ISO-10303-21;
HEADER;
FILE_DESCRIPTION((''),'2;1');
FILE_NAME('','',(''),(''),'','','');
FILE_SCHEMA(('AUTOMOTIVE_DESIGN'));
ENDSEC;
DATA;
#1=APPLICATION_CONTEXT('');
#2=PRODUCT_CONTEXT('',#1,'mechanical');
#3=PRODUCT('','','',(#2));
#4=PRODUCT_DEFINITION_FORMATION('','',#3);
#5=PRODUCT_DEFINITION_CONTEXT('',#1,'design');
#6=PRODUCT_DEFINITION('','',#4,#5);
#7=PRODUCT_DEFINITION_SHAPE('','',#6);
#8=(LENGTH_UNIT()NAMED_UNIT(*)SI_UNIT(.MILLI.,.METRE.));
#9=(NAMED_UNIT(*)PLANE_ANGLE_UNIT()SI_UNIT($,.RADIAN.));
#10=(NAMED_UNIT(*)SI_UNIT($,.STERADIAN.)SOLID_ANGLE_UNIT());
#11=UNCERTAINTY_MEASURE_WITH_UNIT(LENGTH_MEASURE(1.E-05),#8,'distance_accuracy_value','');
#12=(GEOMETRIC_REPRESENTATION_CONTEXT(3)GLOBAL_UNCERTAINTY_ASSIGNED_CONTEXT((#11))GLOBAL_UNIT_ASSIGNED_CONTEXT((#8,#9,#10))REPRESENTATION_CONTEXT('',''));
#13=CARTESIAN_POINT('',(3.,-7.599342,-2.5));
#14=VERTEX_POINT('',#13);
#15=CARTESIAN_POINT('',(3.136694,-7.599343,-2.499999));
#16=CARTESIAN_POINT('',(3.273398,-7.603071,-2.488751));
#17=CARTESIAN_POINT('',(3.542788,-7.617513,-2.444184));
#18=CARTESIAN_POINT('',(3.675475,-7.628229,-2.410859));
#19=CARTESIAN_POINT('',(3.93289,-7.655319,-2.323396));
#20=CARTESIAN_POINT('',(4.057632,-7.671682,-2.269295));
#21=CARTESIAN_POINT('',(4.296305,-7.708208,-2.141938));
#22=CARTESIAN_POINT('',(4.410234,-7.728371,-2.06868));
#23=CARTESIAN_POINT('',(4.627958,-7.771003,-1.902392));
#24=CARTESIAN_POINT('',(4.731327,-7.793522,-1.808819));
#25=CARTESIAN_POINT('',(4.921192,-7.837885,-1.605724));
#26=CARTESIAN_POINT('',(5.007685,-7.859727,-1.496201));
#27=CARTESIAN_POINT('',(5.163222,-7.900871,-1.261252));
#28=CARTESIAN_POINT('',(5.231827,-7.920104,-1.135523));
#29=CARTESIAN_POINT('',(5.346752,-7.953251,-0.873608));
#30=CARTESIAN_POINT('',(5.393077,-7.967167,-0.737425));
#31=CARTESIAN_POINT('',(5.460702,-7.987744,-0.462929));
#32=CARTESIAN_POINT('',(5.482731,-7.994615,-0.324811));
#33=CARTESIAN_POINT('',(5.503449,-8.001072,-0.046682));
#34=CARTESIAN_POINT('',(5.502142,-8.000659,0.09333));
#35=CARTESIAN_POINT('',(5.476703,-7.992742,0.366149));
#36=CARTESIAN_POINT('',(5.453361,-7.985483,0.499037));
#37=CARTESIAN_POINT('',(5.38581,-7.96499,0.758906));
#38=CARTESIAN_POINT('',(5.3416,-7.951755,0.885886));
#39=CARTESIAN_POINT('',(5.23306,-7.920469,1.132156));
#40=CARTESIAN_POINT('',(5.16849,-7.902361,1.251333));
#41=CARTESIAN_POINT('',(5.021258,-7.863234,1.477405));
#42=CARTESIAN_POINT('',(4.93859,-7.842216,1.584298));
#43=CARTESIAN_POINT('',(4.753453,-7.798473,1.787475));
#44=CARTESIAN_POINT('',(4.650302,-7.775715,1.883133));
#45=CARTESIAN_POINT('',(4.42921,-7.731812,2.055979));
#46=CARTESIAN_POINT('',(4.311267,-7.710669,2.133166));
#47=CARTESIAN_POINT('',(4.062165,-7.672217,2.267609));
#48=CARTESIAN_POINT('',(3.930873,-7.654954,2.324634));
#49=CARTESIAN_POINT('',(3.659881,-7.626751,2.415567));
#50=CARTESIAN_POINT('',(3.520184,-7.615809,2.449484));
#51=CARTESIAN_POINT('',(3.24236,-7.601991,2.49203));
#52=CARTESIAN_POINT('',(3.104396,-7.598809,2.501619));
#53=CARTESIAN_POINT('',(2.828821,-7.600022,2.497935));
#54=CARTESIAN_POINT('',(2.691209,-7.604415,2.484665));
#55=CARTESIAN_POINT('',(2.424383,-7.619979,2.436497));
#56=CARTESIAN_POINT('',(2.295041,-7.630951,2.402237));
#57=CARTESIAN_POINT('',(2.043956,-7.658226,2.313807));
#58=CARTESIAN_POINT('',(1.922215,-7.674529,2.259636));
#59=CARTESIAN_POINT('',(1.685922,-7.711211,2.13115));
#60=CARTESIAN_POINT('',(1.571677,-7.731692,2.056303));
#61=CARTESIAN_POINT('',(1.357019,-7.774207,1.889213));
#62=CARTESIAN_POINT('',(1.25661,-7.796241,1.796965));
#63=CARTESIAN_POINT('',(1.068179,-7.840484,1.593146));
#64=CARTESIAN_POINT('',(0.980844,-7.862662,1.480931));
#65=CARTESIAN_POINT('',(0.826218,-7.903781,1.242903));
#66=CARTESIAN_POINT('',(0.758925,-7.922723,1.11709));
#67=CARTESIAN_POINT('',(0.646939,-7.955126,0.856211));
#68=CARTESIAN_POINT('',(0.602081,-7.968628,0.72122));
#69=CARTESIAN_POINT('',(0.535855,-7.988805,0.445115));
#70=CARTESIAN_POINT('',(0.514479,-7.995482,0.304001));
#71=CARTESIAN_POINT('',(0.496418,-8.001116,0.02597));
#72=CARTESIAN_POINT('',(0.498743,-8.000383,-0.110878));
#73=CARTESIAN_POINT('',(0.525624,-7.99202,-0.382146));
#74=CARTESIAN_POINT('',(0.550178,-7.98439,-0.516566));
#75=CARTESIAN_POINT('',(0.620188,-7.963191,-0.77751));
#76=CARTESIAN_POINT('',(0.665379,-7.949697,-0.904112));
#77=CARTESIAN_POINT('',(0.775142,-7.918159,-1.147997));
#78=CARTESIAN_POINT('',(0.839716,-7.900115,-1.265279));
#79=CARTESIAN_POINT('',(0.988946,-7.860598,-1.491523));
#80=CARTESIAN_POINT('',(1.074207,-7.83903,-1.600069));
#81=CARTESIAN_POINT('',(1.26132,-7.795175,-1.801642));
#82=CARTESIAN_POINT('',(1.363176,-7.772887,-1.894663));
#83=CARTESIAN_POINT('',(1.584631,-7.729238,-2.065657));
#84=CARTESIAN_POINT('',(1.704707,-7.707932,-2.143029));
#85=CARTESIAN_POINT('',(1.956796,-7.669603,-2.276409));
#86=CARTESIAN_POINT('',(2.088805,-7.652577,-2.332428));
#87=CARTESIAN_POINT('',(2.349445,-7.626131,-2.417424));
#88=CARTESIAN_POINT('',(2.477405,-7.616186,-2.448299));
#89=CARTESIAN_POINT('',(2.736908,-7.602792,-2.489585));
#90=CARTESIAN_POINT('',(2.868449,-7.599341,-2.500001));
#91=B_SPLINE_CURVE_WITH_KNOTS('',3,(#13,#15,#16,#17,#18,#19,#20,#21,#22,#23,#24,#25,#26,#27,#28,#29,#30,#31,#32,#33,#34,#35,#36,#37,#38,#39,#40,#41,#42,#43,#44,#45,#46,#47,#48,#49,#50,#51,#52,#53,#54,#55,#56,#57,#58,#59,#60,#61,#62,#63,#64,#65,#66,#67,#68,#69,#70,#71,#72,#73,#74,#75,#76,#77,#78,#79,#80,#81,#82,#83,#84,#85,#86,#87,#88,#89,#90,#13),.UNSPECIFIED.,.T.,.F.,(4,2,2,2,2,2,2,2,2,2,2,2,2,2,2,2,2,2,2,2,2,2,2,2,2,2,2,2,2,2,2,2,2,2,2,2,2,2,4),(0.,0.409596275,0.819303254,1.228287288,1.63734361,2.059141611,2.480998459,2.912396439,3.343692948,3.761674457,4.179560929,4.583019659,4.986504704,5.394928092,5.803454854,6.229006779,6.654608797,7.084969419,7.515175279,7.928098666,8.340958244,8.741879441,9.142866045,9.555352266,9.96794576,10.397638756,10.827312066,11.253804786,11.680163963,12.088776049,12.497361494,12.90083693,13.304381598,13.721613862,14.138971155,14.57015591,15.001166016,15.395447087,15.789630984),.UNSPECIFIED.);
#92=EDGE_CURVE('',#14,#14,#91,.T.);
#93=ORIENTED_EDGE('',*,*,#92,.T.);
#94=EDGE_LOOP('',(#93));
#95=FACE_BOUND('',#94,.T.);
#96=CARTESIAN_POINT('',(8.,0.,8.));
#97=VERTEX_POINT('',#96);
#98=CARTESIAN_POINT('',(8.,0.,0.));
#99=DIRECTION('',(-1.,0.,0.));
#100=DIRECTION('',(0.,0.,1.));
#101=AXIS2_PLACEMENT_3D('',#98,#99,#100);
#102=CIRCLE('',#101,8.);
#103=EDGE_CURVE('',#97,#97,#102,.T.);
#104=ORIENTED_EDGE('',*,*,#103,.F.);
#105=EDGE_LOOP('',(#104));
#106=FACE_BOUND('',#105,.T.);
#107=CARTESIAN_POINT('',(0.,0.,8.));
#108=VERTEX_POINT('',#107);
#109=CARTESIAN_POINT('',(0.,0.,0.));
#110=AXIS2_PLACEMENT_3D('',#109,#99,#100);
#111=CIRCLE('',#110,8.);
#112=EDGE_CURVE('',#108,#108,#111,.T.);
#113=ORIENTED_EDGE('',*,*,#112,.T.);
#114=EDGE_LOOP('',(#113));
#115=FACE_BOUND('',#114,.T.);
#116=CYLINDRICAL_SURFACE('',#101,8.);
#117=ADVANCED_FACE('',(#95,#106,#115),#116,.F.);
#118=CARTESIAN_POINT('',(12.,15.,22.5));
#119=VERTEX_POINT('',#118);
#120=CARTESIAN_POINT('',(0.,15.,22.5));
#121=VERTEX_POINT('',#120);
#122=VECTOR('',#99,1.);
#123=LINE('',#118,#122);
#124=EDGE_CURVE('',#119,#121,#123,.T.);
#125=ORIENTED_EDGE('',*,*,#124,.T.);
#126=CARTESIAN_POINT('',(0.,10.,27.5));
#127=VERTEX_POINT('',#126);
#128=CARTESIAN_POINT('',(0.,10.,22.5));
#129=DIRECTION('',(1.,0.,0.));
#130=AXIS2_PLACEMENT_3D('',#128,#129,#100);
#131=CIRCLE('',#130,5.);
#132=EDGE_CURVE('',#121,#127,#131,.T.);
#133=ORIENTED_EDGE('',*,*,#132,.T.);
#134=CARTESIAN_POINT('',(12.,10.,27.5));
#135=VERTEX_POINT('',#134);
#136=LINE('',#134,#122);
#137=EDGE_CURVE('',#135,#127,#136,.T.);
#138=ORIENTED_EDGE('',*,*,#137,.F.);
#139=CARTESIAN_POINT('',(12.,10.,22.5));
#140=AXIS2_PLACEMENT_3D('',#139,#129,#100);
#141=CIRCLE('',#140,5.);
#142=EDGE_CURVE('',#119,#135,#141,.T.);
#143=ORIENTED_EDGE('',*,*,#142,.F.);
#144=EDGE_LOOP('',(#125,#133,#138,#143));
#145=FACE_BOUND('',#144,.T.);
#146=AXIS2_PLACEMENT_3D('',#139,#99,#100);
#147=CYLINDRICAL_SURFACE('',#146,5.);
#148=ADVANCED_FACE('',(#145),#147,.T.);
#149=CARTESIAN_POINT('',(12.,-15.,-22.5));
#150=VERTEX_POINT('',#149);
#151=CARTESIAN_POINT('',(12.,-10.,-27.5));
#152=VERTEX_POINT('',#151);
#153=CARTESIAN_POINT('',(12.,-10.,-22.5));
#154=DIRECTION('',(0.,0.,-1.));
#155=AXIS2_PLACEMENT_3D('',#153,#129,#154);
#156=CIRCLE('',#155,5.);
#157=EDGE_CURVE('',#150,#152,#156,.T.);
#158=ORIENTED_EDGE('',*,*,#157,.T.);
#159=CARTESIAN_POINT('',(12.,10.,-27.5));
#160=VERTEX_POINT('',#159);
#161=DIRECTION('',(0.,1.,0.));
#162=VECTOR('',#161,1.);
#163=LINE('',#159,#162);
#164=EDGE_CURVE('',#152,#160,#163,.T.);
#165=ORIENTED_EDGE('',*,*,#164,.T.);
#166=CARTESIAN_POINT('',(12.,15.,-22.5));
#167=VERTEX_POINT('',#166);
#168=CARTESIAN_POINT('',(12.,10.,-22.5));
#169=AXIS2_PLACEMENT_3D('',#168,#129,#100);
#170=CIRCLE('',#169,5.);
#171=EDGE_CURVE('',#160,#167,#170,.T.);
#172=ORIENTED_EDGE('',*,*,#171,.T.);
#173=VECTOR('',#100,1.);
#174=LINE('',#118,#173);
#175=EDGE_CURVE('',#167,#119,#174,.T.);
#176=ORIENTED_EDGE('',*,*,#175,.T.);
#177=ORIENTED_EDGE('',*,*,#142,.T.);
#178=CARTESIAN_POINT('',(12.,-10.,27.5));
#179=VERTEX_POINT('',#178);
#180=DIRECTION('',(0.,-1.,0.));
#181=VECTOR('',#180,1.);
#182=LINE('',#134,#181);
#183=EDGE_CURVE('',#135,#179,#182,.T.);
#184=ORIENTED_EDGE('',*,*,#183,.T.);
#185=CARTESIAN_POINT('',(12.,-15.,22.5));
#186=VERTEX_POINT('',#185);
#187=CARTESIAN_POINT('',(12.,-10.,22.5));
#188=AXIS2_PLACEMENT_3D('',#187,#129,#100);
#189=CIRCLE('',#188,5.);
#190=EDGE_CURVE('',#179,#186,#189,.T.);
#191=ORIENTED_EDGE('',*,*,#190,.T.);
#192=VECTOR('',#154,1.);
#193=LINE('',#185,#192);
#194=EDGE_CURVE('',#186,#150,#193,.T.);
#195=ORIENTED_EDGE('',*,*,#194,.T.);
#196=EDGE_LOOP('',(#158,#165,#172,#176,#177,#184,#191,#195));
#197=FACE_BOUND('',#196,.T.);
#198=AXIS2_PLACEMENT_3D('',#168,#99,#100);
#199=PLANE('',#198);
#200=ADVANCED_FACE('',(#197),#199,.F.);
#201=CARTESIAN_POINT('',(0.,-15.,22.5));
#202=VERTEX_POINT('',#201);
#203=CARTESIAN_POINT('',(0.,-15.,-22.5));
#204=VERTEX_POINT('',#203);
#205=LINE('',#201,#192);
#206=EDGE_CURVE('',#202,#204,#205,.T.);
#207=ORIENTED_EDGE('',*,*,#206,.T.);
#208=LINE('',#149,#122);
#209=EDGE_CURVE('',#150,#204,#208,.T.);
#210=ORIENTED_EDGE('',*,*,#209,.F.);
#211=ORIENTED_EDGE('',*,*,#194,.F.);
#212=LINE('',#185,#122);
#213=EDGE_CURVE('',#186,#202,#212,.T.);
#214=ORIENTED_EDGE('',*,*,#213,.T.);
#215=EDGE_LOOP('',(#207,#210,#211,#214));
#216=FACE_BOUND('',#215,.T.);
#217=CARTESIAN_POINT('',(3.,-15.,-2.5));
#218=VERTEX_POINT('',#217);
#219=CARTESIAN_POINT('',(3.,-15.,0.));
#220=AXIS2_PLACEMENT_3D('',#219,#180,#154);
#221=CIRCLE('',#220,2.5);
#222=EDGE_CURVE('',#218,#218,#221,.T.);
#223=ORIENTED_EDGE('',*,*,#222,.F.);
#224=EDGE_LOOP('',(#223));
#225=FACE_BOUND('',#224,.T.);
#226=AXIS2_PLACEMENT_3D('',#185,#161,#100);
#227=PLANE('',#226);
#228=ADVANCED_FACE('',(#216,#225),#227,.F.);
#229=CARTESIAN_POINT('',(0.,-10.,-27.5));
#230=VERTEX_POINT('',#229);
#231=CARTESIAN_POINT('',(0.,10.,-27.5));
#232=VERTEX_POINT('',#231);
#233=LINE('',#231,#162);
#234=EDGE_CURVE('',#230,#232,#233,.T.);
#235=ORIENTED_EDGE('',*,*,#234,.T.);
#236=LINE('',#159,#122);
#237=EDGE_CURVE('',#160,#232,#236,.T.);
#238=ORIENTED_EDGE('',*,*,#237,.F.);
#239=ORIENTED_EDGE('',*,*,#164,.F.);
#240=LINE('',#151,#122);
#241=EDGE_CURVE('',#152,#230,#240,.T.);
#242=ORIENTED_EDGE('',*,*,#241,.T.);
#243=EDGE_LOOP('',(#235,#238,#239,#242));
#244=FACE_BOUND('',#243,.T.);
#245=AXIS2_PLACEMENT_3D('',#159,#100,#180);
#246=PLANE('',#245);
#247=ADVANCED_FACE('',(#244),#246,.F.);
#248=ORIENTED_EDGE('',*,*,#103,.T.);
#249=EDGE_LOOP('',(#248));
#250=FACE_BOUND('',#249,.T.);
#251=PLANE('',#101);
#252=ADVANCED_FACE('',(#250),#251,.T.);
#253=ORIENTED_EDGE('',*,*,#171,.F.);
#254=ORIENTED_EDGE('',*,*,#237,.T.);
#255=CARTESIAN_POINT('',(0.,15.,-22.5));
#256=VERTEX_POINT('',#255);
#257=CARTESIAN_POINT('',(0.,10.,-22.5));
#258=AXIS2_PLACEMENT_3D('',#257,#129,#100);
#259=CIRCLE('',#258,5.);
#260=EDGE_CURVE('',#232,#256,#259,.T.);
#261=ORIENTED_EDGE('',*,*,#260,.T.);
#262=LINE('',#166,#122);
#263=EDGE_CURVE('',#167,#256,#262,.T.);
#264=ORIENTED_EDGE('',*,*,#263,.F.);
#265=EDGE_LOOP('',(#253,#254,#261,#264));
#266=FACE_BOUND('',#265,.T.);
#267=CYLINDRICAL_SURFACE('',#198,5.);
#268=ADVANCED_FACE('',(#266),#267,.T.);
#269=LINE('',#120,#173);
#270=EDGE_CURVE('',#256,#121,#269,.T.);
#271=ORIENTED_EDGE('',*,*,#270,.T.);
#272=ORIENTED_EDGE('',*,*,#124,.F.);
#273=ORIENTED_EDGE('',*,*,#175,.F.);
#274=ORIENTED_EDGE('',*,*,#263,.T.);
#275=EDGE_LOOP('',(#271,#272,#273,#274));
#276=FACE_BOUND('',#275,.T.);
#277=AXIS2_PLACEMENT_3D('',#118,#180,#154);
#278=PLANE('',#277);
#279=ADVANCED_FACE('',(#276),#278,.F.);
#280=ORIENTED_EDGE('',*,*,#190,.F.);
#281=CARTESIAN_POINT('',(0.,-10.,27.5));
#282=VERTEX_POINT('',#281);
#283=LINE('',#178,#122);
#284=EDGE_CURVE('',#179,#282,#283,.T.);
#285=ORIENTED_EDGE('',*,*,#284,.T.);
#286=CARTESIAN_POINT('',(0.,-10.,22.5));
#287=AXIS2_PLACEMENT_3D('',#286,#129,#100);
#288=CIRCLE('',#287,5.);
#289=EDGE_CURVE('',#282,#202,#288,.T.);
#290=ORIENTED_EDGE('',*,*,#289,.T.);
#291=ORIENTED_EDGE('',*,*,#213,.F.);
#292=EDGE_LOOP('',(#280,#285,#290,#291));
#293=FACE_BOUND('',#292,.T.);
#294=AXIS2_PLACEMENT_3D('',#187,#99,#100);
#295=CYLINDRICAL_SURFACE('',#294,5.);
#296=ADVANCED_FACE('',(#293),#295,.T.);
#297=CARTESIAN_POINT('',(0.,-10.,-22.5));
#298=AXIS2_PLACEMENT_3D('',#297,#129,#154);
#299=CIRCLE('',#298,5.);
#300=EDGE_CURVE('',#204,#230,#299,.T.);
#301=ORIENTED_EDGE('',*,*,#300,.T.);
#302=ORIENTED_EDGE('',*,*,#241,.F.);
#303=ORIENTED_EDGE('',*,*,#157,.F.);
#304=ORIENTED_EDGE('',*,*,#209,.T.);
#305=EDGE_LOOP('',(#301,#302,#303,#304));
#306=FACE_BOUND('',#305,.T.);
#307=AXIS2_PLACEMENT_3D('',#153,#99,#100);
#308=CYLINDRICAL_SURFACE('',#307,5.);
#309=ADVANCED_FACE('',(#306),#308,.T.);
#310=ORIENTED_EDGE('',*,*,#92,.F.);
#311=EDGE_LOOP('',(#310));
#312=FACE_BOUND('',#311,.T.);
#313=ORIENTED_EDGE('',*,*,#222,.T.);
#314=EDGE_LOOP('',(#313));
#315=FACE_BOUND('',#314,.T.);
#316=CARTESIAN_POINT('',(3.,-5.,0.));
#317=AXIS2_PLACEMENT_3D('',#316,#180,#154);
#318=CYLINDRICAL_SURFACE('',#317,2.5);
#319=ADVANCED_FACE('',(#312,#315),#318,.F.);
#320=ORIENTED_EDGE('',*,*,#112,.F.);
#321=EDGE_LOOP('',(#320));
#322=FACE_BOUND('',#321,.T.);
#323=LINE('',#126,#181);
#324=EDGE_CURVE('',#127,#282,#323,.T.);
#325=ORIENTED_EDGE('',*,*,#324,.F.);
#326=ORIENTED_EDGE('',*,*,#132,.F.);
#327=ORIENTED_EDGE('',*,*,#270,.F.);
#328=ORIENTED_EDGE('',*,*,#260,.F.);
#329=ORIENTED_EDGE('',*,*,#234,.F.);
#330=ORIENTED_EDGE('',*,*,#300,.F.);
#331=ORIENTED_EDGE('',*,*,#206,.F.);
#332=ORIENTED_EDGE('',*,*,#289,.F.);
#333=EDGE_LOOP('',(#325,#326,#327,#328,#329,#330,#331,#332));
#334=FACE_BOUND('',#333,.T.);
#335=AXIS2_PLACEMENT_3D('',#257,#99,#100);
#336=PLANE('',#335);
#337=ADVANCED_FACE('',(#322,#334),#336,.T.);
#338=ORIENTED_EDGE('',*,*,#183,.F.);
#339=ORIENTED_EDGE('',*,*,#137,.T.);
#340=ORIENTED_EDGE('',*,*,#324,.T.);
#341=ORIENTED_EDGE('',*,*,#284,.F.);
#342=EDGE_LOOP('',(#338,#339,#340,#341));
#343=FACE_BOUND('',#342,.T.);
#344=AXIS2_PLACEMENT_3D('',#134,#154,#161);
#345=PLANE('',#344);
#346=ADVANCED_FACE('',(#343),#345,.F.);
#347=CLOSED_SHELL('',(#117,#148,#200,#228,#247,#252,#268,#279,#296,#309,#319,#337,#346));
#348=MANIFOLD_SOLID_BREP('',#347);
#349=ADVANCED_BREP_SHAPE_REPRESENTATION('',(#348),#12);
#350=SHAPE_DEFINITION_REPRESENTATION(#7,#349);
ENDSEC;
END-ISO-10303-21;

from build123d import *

# Parameters (mm, degrees)
EXTRUDE_1_DEPTH     = 12
SKETCH_2_R          = 8
CUT_EXTRUDE_1_DEPTH = 8
SKETCH_3_R          = 2.5
CUT_EXTRUDE_2_DEPTH = 10


with BuildPart() as part:
    # 草图1 → 凸台-拉伸1 (new body)
    with BuildSketch(Plane(origin=(0, 0, 0), x_dir=(0, 0, -1), z_dir=(1, 0, 0))):
        with BuildLine():
            Line((-22.5, 15), (22.5, 15))
            ThreePointArc((22.5, 15), (26.035533906, 13.535533906), (27.5, 10))
            Line((27.5, 10), (27.5, -10))
            ThreePointArc((27.5, -10), (26.035533906, -13.535533906), (22.5, -15))
            Line((22.5, -15), (-22.5, -15))
            ThreePointArc((-22.5, -15), (-26.035533906, -13.535533906), (-27.5, -10))
            Line((-27.5, -10), (-27.5, 10))
            ThreePointArc((-27.5, 10), (-26.035533906, 13.535533906), (-22.5, 15))
        make_face()
    extrude(amount=EXTRUDE_1_DEPTH)

    # 草图2 → 切除-拉伸1 (cut)
    with BuildSketch(Plane.ZY):
        Circle(SKETCH_2_R)
    extrude(amount=-CUT_EXTRUDE_1_DEPTH, mode=Mode.SUBTRACT)

    # 草图3 → 切除-拉伸2 (cut)
    with BuildSketch(Plane.XZ.offset(15)):
        with Locations((3, 0)):
            Circle(SKETCH_3_R)
    extrude(amount=-CUT_EXTRUDE_2_DEPTH, mode=Mode.SUBTRACT)


solid = part.part
